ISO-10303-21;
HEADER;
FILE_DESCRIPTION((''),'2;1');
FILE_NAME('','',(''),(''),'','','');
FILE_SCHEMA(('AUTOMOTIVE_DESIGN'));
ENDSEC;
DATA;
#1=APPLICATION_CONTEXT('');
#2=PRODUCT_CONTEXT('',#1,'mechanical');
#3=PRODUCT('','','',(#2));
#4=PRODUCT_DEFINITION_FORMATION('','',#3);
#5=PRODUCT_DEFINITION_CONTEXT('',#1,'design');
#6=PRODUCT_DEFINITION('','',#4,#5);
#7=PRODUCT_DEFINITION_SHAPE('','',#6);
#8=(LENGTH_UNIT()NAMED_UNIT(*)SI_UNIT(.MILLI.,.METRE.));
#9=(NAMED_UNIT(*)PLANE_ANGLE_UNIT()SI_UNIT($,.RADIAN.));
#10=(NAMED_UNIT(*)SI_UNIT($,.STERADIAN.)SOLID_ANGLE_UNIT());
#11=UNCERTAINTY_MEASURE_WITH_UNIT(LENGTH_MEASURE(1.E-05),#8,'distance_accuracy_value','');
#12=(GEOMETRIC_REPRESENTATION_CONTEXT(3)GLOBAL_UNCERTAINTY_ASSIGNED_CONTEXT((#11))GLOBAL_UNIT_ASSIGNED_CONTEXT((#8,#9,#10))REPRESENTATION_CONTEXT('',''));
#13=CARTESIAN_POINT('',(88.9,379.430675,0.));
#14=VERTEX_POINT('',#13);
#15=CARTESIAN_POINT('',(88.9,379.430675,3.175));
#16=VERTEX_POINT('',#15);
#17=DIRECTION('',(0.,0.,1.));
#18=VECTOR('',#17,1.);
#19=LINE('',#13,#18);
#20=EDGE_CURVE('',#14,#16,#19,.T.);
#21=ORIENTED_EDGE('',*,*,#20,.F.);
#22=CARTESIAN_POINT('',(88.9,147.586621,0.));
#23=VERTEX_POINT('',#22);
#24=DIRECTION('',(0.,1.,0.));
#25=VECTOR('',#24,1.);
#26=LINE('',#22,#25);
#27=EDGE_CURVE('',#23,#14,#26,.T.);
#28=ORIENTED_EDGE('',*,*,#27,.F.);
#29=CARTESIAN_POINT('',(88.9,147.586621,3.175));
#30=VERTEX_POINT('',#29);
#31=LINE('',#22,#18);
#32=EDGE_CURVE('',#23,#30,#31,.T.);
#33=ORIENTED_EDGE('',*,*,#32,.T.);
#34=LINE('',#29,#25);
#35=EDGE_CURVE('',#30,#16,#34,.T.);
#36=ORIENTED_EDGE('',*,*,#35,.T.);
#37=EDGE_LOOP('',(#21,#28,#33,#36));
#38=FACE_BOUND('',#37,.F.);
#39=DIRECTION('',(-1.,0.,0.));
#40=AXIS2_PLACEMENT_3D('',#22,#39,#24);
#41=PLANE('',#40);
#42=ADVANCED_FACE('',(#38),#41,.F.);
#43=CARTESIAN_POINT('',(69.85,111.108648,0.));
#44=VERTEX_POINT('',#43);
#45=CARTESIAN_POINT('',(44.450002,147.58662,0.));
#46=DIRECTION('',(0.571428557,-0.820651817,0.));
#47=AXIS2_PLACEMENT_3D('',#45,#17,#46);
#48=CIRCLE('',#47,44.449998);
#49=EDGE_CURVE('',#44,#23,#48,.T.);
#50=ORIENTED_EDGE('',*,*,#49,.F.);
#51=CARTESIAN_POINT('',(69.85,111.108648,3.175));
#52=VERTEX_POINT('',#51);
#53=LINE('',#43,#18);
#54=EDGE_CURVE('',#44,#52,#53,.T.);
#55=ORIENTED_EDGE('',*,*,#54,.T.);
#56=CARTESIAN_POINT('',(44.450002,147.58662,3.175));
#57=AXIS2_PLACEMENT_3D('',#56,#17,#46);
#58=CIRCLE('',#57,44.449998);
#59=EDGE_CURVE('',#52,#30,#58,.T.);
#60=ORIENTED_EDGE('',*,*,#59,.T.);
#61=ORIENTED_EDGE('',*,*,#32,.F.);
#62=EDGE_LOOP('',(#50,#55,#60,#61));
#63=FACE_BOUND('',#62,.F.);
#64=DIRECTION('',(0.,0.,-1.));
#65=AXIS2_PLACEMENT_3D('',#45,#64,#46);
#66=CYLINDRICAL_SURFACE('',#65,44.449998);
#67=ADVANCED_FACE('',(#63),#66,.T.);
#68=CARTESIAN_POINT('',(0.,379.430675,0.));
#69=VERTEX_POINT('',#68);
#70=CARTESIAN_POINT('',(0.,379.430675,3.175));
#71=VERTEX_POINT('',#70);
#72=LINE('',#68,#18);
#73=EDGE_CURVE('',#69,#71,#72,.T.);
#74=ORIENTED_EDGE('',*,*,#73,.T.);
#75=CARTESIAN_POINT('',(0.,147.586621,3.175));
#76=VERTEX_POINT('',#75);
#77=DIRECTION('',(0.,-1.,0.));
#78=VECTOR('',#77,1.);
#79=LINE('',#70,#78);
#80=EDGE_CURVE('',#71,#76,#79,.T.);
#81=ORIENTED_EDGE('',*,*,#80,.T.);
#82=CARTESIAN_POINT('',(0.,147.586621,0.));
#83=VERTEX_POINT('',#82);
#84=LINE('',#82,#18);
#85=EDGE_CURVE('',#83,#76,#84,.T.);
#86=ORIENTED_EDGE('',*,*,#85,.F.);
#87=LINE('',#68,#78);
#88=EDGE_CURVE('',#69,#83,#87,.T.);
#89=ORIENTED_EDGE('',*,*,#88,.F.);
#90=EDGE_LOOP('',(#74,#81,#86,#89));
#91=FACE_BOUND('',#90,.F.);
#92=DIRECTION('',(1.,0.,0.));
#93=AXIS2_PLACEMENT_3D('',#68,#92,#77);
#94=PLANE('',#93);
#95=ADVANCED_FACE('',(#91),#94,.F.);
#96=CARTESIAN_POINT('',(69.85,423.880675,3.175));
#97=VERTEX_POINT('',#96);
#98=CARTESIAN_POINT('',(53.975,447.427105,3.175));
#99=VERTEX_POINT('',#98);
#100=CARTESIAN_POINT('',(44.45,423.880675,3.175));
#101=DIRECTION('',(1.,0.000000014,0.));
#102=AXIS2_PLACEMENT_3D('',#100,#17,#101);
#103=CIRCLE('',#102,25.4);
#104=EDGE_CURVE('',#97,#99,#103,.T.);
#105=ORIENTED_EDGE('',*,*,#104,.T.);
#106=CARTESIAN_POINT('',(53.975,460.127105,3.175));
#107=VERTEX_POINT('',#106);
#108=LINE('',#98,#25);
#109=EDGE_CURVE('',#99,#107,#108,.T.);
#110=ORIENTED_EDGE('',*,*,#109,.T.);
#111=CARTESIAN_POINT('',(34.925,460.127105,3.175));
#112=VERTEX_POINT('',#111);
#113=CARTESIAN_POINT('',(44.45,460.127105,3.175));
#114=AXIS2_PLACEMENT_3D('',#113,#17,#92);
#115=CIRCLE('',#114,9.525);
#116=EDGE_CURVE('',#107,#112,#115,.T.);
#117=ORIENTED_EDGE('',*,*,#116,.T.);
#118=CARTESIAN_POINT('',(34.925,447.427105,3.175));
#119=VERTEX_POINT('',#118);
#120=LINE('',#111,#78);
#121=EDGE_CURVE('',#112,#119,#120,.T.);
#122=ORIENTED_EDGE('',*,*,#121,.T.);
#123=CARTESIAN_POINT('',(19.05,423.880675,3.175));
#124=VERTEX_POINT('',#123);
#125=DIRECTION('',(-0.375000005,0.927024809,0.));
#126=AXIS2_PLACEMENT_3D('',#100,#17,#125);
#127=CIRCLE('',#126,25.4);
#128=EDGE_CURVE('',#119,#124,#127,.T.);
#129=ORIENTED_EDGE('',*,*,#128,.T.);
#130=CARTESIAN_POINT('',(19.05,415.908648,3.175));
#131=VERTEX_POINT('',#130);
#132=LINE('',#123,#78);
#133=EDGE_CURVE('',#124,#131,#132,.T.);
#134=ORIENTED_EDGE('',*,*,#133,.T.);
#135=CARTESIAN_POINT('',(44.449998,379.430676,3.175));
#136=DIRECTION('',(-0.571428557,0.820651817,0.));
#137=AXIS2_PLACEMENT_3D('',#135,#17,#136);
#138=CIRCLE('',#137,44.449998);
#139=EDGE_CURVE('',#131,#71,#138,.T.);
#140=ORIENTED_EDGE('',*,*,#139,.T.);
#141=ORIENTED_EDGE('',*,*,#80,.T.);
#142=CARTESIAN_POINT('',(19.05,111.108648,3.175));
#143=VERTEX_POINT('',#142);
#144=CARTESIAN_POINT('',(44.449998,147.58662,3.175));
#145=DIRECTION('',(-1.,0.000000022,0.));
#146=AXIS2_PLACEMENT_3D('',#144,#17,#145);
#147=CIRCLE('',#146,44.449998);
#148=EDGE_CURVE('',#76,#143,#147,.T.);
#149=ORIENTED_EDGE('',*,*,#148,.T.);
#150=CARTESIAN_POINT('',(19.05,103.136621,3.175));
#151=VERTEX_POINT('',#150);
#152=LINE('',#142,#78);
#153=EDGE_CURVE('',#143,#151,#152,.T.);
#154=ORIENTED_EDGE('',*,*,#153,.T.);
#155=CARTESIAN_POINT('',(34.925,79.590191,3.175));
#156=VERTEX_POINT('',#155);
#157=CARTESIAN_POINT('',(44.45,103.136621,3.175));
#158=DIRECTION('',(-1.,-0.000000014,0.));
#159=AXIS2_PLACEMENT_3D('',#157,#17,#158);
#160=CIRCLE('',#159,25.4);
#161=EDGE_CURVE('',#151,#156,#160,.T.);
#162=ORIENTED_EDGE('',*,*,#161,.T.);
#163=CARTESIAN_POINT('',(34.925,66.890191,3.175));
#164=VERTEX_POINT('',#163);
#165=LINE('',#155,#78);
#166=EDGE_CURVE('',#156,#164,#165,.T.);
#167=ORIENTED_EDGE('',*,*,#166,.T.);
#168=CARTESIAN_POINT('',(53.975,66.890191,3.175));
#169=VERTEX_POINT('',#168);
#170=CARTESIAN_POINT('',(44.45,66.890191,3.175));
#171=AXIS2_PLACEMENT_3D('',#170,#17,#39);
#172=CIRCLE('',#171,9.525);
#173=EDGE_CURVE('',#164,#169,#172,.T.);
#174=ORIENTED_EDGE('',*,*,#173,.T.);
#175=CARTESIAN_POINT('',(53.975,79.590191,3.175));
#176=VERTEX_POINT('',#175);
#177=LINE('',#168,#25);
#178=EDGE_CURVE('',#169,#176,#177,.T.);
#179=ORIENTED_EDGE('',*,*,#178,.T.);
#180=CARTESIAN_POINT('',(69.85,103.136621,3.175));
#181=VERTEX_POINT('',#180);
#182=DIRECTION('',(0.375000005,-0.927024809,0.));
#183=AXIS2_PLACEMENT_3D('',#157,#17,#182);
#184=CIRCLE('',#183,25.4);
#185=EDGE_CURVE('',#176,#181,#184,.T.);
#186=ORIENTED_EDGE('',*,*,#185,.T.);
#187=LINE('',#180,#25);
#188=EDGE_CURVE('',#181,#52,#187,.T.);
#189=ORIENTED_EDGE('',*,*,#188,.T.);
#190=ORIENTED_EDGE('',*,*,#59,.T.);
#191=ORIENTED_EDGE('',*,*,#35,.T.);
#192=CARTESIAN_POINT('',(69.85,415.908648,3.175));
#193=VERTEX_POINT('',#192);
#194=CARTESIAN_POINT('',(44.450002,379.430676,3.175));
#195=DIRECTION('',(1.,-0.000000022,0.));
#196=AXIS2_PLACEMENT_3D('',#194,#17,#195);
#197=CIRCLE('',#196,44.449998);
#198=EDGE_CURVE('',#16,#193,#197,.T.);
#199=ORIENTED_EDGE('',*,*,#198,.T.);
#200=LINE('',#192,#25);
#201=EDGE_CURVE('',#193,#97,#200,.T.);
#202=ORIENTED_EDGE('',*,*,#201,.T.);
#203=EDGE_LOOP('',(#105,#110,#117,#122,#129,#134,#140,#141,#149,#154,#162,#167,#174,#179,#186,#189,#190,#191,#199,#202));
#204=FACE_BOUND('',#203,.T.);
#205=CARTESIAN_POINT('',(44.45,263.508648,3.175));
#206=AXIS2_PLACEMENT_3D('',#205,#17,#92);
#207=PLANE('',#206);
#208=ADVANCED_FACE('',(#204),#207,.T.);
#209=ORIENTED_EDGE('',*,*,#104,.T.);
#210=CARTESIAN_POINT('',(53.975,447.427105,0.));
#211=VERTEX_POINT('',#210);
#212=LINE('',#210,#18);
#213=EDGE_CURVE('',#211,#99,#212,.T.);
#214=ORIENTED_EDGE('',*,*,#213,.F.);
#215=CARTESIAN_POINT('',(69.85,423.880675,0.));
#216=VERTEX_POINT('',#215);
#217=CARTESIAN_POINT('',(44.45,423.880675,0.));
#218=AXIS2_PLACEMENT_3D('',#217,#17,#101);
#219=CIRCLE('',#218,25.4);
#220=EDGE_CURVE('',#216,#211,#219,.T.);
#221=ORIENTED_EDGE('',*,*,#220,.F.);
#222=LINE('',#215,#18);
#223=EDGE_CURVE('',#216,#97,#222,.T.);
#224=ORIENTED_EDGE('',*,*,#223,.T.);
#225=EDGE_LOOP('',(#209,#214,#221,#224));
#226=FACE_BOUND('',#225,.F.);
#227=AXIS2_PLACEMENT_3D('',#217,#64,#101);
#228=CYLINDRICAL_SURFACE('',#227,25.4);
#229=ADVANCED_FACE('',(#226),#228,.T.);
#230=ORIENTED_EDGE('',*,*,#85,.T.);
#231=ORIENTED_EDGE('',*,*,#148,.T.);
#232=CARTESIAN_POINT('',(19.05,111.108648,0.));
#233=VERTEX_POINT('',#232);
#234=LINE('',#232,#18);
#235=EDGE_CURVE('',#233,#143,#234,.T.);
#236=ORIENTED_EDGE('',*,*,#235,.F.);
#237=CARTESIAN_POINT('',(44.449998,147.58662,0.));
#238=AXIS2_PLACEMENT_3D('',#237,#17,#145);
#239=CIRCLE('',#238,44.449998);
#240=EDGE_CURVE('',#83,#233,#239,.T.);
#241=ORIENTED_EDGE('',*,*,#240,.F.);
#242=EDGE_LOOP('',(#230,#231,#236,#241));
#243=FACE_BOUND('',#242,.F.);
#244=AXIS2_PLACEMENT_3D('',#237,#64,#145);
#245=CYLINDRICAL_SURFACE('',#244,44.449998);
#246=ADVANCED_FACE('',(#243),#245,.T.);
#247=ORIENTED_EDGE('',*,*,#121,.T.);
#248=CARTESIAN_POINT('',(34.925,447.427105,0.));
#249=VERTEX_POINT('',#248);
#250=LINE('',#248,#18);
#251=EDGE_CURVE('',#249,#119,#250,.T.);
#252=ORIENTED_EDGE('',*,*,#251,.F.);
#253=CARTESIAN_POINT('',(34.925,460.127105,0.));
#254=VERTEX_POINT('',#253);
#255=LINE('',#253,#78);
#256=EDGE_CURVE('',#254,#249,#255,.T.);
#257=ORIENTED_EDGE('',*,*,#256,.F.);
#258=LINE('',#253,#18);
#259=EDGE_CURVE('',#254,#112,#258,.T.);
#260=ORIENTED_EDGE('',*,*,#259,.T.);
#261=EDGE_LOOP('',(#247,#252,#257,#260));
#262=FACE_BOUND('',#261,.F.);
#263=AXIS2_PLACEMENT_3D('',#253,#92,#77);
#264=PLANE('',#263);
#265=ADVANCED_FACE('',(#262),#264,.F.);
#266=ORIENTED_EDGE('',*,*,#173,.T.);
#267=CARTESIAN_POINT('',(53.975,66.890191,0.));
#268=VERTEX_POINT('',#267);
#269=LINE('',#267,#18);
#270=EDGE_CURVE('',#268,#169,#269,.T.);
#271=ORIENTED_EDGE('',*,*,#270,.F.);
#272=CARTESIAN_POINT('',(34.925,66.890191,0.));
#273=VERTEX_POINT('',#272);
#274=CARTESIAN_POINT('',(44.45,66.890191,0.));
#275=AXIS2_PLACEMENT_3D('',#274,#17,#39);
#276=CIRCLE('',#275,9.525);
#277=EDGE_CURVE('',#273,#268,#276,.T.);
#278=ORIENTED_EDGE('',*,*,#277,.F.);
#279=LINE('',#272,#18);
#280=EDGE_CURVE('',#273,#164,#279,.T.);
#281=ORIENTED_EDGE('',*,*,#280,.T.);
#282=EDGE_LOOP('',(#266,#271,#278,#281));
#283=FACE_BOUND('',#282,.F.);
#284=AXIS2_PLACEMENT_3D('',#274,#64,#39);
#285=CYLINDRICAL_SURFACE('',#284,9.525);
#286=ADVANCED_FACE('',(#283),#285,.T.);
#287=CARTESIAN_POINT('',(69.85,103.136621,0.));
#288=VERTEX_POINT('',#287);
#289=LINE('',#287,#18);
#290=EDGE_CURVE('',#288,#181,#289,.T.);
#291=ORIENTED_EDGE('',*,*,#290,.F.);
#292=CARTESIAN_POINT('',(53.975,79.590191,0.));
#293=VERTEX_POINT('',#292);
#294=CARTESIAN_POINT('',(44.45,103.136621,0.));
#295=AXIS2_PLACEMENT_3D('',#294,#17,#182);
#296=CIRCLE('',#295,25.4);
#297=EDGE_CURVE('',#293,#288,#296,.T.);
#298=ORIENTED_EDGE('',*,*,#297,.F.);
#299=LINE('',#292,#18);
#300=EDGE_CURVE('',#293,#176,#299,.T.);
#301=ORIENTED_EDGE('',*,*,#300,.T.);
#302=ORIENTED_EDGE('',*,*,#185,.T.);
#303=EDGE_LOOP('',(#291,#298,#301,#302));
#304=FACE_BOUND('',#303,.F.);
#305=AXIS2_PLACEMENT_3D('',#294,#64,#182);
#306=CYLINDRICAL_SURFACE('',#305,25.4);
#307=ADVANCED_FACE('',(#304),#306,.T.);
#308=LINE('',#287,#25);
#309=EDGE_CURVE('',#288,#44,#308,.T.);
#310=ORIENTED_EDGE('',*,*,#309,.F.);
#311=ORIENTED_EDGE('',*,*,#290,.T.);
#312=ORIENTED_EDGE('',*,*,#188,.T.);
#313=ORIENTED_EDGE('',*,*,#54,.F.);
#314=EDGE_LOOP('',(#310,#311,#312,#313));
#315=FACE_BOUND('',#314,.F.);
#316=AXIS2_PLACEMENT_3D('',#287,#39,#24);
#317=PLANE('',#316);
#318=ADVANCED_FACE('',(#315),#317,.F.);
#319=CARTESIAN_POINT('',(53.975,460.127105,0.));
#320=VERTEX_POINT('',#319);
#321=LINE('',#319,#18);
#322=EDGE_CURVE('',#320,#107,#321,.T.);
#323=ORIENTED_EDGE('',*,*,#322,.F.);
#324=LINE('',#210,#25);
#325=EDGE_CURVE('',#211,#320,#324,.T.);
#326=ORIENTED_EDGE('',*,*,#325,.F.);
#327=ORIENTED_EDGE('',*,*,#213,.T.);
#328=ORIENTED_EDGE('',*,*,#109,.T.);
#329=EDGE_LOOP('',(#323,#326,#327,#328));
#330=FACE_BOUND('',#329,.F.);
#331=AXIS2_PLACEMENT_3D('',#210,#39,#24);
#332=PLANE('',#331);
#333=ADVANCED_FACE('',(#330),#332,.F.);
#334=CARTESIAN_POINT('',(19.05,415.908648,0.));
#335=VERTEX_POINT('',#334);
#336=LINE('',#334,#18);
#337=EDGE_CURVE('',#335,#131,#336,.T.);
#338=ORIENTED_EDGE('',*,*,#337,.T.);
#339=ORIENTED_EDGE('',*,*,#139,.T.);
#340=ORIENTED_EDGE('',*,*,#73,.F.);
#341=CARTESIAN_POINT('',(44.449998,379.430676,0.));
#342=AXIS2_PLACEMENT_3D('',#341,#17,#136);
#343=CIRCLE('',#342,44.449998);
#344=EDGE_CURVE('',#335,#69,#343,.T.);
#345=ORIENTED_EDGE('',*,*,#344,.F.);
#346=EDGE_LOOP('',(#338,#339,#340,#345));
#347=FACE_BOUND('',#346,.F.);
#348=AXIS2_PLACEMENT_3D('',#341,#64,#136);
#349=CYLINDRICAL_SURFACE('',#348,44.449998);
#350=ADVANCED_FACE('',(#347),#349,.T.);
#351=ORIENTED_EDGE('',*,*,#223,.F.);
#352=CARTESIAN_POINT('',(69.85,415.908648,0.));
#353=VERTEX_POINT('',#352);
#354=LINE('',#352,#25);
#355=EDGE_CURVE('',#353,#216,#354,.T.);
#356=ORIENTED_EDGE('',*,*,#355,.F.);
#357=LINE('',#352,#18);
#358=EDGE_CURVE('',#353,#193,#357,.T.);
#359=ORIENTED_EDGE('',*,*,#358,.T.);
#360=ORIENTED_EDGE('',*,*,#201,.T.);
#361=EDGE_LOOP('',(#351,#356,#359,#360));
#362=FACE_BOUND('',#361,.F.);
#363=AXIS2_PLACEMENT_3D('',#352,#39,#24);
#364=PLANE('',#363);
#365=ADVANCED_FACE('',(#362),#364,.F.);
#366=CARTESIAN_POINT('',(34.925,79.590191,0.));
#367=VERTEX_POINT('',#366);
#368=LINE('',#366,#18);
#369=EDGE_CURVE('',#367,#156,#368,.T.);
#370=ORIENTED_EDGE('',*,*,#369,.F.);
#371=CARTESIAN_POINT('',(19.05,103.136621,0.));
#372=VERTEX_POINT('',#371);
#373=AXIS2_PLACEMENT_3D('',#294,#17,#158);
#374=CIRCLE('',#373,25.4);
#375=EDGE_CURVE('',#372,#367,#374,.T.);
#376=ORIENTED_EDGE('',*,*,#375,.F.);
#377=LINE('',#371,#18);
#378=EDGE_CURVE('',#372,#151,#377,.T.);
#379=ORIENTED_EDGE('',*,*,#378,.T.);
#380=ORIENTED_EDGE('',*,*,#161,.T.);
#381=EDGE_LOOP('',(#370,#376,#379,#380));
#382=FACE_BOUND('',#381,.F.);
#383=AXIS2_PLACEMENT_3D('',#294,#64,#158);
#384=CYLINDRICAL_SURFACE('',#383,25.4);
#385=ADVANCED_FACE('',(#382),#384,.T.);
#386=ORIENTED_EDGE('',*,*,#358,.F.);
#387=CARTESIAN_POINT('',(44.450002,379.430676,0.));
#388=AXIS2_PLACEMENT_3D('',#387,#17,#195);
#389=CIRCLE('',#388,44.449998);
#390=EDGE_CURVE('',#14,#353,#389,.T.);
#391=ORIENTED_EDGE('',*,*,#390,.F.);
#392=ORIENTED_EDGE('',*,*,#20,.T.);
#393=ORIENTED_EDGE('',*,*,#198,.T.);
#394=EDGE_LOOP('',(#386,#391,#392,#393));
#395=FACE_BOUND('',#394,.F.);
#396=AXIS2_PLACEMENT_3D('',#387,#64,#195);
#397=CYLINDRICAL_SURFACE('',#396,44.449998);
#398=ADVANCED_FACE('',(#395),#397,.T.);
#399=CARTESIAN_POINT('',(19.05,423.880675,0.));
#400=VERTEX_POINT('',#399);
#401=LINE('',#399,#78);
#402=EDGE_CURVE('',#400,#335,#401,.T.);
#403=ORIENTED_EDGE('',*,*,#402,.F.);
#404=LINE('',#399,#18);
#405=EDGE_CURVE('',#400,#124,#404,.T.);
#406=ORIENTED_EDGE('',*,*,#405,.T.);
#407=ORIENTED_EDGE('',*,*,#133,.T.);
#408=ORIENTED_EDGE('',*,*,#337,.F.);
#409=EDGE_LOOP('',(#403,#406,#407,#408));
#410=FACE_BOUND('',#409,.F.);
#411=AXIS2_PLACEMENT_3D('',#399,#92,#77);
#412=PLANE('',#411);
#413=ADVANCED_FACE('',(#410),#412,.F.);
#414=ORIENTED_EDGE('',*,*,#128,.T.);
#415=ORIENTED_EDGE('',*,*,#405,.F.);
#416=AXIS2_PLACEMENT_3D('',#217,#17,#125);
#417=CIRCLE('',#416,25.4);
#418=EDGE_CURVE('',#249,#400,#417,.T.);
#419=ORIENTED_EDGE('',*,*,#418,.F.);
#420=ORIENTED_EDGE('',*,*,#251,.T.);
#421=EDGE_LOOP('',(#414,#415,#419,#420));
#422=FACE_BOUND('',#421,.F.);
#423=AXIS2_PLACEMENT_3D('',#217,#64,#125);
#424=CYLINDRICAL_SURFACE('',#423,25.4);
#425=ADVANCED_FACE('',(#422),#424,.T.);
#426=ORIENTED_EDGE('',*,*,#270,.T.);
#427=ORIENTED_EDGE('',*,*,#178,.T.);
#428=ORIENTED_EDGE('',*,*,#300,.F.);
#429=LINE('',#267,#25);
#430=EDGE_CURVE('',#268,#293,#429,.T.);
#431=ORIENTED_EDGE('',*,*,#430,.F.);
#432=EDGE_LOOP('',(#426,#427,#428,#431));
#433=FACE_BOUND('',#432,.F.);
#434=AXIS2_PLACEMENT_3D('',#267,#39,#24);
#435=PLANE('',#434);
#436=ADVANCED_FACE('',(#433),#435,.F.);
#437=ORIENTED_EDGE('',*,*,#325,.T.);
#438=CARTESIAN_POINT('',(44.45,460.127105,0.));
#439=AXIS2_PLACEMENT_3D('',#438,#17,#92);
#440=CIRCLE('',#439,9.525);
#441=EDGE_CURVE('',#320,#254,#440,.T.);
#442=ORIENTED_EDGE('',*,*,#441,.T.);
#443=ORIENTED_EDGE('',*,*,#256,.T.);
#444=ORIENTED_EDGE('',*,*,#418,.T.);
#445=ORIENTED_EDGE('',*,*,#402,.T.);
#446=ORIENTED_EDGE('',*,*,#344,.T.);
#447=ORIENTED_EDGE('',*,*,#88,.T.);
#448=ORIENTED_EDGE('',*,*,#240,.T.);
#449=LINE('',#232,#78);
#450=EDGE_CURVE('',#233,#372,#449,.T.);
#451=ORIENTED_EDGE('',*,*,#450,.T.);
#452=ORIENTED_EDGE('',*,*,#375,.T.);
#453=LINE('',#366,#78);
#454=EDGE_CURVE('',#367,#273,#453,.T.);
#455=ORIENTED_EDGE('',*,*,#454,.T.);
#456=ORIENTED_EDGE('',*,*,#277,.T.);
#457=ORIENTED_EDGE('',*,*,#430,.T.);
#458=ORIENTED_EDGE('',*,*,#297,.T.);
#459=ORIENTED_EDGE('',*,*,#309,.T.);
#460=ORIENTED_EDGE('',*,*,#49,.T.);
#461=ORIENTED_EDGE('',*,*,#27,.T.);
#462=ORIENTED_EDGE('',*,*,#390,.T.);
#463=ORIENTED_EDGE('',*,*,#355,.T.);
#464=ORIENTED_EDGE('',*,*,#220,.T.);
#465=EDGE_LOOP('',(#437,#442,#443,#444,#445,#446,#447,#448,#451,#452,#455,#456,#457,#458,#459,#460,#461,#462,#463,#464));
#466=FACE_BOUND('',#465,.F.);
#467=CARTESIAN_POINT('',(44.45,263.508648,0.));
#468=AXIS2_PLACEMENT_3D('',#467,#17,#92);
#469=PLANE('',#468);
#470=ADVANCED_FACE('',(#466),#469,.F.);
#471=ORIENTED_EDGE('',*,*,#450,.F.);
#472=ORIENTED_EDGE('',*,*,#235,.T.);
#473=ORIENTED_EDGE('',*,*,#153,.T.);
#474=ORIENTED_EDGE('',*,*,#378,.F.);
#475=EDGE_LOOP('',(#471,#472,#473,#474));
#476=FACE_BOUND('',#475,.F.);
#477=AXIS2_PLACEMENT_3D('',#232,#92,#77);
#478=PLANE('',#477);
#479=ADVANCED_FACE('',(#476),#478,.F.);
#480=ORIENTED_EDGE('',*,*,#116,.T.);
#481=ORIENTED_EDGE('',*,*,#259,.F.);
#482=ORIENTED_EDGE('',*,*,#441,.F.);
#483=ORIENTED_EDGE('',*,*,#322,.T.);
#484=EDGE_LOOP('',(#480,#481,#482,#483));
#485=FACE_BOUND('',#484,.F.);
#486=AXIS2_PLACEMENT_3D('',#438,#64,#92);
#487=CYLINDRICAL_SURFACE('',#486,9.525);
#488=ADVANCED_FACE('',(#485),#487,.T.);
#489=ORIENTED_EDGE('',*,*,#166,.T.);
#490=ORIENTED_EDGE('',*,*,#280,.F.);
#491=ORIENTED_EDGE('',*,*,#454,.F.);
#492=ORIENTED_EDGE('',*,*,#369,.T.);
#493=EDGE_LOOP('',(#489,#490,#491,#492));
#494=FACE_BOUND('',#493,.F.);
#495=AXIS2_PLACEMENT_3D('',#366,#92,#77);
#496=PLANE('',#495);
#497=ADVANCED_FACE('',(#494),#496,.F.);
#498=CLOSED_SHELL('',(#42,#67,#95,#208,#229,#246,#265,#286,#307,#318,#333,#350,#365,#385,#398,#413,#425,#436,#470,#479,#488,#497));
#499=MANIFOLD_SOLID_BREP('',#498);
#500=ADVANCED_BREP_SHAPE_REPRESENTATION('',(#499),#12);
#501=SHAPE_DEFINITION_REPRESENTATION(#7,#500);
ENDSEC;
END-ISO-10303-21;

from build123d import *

# Parameters (mm, degrees)
F1_DEPTH = 3.175


with BuildPart() as f1:
    # F0 (on Top) → F1 (new body)
    with BuildSketch(Plane.XY):
        with BuildLine():
            Line((0, 263.508648), (0, 147.586621))
            ThreePointArc((0, 147.586621), (5.049286, 127.010269), (19.05, 111.108648))
            Line((19.05, 111.108648), (19.05, 103.136621))
            ThreePointArc((19.05, 103.136621), (23.389433, 88.937589), (34.925, 79.590191))
            Line((34.925, 79.590191), (34.925, 66.890191))
            ThreePointArc((34.925, 66.890191), (44.45, 57.365191), (53.975, 66.890191))
            Line((53.975, 66.890191), (53.975, 79.590191))
            ThreePointArc((53.975, 79.590191), (65.510567, 88.937589), (69.85, 103.136621))
            Line((69.85, 103.136621), (69.85, 111.108648))
            ThreePointArc((69.85, 111.108648), (83.850714, 127.010269), (88.9, 147.586621))
            Line((88.9, 147.586621), (88.9, 263.508648))
            Line((88.9, 263.508648), (88.9, 379.430675))
            ThreePointArc((88.9, 379.430675), (83.850714, 400.007027), (69.85, 415.908648))
            Line((69.85, 415.908648), (69.85, 423.880675))
            ThreePointArc((69.85, 423.880675), (65.510567, 438.079707), (53.975, 447.427105))
            Line((53.975, 447.427105), (53.975, 460.127105))
            ThreePointArc((53.975, 460.127105), (44.45, 469.652105), (34.925, 460.127105))
            Line((34.925, 460.127105), (34.925, 447.427105))
            ThreePointArc((34.925, 447.427105), (23.389433, 438.079707), (19.05, 423.880675))
            Line((19.05, 423.880675), (19.05, 415.908648))
            ThreePointArc((19.05, 415.908648), (5.049286, 400.007027), (0, 379.430675))
            Line((0, 379.430675), (0, 263.508648))
        make_face()
    extrude(amount=F1_DEPTH)


solid = f1.part
